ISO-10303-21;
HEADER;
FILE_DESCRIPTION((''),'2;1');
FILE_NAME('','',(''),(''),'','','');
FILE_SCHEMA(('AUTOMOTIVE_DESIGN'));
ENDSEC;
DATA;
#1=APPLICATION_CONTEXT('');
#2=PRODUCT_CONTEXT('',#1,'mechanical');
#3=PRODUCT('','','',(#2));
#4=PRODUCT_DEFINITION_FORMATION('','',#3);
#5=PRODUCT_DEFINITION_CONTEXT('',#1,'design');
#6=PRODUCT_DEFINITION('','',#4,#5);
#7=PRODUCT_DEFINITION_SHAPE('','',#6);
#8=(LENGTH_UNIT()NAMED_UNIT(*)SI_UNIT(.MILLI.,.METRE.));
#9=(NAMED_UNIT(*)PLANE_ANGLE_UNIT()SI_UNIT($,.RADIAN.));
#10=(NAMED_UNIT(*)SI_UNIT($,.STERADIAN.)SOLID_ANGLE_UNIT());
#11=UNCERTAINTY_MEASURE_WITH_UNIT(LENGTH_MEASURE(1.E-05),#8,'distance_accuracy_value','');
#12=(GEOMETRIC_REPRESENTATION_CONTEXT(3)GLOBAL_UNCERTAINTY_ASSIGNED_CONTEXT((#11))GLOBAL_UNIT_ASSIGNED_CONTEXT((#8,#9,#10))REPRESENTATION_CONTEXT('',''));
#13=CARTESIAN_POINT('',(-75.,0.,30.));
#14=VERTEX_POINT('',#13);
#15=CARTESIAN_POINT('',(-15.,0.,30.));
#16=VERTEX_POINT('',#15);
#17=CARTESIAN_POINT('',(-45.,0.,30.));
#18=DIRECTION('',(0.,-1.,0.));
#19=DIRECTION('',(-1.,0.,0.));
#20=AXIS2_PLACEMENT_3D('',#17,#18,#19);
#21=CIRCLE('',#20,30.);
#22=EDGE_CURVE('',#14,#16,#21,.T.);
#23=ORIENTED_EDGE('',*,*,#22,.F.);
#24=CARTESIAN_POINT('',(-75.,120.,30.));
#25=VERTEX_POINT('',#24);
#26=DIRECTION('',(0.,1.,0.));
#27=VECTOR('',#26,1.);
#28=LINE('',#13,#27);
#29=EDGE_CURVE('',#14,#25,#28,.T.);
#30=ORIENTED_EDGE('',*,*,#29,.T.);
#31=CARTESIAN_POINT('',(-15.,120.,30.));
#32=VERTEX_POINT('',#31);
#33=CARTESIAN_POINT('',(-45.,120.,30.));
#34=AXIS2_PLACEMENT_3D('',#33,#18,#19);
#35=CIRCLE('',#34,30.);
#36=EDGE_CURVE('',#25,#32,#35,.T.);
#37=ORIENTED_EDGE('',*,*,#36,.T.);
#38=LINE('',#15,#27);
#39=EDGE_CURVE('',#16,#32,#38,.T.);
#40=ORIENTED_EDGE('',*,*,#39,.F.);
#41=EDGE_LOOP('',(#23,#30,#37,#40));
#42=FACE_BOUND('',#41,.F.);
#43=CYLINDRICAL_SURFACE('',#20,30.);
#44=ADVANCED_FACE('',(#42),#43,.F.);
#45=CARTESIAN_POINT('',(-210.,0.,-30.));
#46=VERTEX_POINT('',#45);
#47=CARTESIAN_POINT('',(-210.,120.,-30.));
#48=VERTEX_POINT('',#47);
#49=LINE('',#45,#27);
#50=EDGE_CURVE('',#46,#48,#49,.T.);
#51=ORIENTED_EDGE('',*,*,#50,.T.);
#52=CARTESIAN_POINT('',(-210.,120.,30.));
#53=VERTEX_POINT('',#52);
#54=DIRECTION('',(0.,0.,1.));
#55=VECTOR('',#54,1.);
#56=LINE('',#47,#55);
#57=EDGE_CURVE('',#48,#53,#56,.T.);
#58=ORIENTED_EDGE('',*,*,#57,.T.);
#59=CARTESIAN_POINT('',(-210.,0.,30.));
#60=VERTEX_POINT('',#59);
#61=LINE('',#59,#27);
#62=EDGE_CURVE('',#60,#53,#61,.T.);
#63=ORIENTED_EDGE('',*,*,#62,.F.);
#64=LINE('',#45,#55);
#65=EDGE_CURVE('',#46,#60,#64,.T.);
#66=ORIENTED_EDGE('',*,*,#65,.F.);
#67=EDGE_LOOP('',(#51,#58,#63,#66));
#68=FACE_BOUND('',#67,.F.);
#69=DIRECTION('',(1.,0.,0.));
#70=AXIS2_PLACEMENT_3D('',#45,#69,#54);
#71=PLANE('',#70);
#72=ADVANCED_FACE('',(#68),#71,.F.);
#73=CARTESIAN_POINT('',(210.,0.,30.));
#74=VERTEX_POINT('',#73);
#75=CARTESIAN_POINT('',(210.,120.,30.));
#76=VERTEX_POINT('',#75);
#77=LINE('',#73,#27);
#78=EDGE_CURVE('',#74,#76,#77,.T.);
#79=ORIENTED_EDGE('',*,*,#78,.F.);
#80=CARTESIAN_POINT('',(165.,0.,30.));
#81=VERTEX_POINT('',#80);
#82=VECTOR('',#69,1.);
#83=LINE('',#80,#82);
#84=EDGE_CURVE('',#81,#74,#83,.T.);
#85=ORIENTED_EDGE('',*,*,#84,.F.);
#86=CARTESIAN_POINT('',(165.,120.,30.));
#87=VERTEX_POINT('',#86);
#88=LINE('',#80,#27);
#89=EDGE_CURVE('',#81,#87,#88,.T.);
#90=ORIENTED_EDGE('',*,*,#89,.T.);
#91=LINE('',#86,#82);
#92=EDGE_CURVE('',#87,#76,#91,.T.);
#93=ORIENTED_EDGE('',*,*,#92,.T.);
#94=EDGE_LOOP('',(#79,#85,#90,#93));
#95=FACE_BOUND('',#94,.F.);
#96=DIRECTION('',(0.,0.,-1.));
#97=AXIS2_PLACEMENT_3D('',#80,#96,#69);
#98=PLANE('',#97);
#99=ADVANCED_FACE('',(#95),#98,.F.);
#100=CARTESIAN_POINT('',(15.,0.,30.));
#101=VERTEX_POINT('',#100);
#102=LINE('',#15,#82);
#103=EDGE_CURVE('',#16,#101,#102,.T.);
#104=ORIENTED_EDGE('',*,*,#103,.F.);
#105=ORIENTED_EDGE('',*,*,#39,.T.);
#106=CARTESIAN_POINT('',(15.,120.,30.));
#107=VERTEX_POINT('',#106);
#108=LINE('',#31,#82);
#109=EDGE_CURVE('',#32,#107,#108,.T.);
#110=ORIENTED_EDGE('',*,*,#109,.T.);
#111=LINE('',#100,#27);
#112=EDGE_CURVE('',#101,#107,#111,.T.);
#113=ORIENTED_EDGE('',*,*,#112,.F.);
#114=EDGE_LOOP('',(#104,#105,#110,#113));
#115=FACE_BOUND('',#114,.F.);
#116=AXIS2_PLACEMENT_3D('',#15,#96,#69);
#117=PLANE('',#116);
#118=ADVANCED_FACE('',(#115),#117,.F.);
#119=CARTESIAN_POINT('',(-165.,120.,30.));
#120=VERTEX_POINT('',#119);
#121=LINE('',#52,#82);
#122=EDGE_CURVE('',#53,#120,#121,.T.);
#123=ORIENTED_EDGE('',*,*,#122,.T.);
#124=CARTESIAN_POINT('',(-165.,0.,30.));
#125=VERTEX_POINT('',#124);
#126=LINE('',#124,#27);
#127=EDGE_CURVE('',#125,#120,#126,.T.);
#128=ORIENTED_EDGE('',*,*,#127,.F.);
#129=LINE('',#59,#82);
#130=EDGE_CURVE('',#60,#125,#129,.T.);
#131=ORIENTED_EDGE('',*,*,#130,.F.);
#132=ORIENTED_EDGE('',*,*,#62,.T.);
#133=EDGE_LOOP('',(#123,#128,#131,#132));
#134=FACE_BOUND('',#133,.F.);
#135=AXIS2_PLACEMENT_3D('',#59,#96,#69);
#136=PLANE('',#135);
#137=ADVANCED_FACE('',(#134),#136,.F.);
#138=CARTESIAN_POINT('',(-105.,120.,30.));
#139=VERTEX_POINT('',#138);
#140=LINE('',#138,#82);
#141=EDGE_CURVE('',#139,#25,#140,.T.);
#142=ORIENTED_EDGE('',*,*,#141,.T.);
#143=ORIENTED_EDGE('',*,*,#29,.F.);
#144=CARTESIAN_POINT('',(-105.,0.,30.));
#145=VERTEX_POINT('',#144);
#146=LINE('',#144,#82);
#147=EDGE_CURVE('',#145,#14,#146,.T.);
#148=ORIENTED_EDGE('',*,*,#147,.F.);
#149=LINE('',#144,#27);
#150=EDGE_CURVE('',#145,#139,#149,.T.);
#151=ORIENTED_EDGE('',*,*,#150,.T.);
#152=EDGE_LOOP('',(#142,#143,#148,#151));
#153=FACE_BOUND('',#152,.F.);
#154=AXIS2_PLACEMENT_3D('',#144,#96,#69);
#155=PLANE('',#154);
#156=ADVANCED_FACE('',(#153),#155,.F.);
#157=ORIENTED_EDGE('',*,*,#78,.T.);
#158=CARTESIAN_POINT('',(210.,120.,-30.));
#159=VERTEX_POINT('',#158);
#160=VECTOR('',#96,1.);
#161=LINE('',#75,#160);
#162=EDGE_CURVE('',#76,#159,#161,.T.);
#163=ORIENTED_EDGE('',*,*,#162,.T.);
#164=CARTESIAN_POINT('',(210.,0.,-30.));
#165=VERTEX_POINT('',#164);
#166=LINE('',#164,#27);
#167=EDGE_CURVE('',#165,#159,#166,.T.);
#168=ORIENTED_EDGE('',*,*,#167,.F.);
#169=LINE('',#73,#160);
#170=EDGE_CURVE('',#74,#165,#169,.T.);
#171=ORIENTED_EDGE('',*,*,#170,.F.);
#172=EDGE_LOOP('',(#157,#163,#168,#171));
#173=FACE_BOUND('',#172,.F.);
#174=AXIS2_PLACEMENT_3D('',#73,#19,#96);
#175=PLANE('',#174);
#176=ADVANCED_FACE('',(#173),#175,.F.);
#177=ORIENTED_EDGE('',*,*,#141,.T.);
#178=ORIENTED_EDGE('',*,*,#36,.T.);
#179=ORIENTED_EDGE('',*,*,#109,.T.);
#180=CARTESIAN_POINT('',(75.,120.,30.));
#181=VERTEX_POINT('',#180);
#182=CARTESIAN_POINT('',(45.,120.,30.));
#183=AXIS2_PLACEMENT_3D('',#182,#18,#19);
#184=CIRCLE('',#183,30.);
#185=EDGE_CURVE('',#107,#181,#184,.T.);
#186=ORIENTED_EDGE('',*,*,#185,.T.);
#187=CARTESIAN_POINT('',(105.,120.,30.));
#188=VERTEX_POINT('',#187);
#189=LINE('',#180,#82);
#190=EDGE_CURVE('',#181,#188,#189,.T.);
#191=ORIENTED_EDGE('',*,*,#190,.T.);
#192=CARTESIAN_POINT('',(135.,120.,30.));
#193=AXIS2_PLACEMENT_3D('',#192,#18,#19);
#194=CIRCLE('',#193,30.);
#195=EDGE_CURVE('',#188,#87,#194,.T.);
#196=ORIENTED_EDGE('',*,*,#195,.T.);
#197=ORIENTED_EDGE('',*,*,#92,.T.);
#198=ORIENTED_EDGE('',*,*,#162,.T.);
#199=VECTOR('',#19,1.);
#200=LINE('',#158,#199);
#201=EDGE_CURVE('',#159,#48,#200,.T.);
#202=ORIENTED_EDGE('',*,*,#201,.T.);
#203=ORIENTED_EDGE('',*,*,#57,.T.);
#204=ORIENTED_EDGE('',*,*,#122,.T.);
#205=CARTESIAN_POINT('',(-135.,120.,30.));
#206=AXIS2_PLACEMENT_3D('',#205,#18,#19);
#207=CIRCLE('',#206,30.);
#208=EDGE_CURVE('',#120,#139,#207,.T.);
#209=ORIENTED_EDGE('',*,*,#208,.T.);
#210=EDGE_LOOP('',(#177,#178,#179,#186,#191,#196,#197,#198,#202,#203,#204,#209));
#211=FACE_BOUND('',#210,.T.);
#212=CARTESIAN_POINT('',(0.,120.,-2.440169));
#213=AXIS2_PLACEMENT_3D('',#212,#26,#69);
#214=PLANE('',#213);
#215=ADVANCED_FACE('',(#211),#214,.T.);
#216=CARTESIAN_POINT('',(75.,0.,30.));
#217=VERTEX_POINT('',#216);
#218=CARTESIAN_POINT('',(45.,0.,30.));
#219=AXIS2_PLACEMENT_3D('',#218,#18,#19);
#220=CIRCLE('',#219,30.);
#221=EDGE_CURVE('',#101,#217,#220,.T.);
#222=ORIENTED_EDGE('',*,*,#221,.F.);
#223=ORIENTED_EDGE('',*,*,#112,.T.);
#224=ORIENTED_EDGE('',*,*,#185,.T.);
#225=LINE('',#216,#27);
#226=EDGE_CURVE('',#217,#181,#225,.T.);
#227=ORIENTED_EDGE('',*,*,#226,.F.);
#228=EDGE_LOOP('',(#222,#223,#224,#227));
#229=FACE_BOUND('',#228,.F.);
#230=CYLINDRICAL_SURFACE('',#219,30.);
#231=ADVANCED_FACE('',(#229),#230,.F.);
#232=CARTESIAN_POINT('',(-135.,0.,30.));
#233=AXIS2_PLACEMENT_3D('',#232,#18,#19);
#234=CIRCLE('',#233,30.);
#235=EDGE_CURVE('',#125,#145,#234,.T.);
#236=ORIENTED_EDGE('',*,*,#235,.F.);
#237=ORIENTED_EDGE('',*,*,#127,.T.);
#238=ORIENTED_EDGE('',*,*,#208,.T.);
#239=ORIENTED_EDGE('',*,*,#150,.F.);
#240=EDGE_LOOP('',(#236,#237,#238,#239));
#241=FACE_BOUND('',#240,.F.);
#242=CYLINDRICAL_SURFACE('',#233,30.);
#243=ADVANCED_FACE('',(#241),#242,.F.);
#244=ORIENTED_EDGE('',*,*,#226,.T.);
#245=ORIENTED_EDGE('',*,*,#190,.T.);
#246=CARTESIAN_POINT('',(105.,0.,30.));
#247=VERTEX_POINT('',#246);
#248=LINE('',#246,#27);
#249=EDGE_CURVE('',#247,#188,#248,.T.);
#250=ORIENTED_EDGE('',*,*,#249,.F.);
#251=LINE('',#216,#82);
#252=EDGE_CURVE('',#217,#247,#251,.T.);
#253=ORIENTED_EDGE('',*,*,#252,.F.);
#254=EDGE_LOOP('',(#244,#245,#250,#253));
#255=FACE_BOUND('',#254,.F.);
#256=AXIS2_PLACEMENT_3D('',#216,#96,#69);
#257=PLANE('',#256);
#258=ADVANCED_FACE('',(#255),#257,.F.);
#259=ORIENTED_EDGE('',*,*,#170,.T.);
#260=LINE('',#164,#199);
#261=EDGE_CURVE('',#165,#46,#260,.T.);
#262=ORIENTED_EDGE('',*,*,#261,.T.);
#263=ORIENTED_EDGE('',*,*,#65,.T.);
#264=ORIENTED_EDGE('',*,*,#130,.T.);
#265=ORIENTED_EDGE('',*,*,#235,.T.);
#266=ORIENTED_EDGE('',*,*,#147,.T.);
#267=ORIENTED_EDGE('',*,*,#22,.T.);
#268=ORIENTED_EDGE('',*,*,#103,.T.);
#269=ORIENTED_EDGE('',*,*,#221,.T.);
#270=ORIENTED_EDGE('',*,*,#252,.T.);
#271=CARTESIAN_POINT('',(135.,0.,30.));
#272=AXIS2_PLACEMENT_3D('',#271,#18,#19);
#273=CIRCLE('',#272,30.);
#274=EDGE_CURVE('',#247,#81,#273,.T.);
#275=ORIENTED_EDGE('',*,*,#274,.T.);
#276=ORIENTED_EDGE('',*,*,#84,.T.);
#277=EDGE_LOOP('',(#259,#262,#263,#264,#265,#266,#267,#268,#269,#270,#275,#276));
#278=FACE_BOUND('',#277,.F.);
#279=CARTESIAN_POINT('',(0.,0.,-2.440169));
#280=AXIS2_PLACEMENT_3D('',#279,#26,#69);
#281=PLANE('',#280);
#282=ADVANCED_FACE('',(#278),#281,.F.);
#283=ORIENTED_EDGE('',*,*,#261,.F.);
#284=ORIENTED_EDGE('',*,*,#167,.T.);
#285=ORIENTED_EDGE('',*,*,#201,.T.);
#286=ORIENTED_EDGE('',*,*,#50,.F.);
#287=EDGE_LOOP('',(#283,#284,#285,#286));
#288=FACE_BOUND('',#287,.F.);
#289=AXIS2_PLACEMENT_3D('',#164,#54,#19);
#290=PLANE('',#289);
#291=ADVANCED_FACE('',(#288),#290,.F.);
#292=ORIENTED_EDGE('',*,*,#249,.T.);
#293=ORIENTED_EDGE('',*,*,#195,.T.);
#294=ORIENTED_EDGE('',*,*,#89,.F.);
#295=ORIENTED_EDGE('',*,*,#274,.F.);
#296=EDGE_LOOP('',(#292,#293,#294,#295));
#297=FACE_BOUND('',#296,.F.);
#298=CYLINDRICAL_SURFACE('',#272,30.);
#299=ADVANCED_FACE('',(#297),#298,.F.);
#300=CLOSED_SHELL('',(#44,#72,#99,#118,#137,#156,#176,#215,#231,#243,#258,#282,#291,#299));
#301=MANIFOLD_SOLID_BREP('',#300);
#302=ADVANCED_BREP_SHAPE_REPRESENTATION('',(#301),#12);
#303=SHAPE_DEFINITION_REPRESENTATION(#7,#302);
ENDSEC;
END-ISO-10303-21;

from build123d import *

# Parameters (mm, degrees)
BOSS_EXTRUDE1_DEPTH = 120


with BuildPart() as part:
    # Sketch1 → Boss-Extrude1 (new body)
    with BuildSketch(Plane(origin=(0, 0, 0), x_dir=(1, 0, 0), z_dir=(0, 1, 0))):
        with BuildLine():
            Line((-105, -30), (-75, -30))
            ThreePointArc((-75, -30), (-45, 0), (-15, -30))
            Line((-15, -30), (15, -30))
            ThreePointArc((15, -30), (45, 0), (75, -30))
            Line((75, -30), (105, -30))
            ThreePointArc((105, -30), (135, 0), (165, -30))
            Line((165, -30), (210, -30))
            Line((210, -30), (210, 30))
            Line((210, 30), (-210, 30))
            Line((-210, 30), (-210, -30))
            Line((-210, -30), (-165, -30))
            ThreePointArc((-165, -30), (-135, 0), (-105, -30))
        make_face()
    extrude(amount=BOSS_EXTRUDE1_DEPTH)


solid = part.part
